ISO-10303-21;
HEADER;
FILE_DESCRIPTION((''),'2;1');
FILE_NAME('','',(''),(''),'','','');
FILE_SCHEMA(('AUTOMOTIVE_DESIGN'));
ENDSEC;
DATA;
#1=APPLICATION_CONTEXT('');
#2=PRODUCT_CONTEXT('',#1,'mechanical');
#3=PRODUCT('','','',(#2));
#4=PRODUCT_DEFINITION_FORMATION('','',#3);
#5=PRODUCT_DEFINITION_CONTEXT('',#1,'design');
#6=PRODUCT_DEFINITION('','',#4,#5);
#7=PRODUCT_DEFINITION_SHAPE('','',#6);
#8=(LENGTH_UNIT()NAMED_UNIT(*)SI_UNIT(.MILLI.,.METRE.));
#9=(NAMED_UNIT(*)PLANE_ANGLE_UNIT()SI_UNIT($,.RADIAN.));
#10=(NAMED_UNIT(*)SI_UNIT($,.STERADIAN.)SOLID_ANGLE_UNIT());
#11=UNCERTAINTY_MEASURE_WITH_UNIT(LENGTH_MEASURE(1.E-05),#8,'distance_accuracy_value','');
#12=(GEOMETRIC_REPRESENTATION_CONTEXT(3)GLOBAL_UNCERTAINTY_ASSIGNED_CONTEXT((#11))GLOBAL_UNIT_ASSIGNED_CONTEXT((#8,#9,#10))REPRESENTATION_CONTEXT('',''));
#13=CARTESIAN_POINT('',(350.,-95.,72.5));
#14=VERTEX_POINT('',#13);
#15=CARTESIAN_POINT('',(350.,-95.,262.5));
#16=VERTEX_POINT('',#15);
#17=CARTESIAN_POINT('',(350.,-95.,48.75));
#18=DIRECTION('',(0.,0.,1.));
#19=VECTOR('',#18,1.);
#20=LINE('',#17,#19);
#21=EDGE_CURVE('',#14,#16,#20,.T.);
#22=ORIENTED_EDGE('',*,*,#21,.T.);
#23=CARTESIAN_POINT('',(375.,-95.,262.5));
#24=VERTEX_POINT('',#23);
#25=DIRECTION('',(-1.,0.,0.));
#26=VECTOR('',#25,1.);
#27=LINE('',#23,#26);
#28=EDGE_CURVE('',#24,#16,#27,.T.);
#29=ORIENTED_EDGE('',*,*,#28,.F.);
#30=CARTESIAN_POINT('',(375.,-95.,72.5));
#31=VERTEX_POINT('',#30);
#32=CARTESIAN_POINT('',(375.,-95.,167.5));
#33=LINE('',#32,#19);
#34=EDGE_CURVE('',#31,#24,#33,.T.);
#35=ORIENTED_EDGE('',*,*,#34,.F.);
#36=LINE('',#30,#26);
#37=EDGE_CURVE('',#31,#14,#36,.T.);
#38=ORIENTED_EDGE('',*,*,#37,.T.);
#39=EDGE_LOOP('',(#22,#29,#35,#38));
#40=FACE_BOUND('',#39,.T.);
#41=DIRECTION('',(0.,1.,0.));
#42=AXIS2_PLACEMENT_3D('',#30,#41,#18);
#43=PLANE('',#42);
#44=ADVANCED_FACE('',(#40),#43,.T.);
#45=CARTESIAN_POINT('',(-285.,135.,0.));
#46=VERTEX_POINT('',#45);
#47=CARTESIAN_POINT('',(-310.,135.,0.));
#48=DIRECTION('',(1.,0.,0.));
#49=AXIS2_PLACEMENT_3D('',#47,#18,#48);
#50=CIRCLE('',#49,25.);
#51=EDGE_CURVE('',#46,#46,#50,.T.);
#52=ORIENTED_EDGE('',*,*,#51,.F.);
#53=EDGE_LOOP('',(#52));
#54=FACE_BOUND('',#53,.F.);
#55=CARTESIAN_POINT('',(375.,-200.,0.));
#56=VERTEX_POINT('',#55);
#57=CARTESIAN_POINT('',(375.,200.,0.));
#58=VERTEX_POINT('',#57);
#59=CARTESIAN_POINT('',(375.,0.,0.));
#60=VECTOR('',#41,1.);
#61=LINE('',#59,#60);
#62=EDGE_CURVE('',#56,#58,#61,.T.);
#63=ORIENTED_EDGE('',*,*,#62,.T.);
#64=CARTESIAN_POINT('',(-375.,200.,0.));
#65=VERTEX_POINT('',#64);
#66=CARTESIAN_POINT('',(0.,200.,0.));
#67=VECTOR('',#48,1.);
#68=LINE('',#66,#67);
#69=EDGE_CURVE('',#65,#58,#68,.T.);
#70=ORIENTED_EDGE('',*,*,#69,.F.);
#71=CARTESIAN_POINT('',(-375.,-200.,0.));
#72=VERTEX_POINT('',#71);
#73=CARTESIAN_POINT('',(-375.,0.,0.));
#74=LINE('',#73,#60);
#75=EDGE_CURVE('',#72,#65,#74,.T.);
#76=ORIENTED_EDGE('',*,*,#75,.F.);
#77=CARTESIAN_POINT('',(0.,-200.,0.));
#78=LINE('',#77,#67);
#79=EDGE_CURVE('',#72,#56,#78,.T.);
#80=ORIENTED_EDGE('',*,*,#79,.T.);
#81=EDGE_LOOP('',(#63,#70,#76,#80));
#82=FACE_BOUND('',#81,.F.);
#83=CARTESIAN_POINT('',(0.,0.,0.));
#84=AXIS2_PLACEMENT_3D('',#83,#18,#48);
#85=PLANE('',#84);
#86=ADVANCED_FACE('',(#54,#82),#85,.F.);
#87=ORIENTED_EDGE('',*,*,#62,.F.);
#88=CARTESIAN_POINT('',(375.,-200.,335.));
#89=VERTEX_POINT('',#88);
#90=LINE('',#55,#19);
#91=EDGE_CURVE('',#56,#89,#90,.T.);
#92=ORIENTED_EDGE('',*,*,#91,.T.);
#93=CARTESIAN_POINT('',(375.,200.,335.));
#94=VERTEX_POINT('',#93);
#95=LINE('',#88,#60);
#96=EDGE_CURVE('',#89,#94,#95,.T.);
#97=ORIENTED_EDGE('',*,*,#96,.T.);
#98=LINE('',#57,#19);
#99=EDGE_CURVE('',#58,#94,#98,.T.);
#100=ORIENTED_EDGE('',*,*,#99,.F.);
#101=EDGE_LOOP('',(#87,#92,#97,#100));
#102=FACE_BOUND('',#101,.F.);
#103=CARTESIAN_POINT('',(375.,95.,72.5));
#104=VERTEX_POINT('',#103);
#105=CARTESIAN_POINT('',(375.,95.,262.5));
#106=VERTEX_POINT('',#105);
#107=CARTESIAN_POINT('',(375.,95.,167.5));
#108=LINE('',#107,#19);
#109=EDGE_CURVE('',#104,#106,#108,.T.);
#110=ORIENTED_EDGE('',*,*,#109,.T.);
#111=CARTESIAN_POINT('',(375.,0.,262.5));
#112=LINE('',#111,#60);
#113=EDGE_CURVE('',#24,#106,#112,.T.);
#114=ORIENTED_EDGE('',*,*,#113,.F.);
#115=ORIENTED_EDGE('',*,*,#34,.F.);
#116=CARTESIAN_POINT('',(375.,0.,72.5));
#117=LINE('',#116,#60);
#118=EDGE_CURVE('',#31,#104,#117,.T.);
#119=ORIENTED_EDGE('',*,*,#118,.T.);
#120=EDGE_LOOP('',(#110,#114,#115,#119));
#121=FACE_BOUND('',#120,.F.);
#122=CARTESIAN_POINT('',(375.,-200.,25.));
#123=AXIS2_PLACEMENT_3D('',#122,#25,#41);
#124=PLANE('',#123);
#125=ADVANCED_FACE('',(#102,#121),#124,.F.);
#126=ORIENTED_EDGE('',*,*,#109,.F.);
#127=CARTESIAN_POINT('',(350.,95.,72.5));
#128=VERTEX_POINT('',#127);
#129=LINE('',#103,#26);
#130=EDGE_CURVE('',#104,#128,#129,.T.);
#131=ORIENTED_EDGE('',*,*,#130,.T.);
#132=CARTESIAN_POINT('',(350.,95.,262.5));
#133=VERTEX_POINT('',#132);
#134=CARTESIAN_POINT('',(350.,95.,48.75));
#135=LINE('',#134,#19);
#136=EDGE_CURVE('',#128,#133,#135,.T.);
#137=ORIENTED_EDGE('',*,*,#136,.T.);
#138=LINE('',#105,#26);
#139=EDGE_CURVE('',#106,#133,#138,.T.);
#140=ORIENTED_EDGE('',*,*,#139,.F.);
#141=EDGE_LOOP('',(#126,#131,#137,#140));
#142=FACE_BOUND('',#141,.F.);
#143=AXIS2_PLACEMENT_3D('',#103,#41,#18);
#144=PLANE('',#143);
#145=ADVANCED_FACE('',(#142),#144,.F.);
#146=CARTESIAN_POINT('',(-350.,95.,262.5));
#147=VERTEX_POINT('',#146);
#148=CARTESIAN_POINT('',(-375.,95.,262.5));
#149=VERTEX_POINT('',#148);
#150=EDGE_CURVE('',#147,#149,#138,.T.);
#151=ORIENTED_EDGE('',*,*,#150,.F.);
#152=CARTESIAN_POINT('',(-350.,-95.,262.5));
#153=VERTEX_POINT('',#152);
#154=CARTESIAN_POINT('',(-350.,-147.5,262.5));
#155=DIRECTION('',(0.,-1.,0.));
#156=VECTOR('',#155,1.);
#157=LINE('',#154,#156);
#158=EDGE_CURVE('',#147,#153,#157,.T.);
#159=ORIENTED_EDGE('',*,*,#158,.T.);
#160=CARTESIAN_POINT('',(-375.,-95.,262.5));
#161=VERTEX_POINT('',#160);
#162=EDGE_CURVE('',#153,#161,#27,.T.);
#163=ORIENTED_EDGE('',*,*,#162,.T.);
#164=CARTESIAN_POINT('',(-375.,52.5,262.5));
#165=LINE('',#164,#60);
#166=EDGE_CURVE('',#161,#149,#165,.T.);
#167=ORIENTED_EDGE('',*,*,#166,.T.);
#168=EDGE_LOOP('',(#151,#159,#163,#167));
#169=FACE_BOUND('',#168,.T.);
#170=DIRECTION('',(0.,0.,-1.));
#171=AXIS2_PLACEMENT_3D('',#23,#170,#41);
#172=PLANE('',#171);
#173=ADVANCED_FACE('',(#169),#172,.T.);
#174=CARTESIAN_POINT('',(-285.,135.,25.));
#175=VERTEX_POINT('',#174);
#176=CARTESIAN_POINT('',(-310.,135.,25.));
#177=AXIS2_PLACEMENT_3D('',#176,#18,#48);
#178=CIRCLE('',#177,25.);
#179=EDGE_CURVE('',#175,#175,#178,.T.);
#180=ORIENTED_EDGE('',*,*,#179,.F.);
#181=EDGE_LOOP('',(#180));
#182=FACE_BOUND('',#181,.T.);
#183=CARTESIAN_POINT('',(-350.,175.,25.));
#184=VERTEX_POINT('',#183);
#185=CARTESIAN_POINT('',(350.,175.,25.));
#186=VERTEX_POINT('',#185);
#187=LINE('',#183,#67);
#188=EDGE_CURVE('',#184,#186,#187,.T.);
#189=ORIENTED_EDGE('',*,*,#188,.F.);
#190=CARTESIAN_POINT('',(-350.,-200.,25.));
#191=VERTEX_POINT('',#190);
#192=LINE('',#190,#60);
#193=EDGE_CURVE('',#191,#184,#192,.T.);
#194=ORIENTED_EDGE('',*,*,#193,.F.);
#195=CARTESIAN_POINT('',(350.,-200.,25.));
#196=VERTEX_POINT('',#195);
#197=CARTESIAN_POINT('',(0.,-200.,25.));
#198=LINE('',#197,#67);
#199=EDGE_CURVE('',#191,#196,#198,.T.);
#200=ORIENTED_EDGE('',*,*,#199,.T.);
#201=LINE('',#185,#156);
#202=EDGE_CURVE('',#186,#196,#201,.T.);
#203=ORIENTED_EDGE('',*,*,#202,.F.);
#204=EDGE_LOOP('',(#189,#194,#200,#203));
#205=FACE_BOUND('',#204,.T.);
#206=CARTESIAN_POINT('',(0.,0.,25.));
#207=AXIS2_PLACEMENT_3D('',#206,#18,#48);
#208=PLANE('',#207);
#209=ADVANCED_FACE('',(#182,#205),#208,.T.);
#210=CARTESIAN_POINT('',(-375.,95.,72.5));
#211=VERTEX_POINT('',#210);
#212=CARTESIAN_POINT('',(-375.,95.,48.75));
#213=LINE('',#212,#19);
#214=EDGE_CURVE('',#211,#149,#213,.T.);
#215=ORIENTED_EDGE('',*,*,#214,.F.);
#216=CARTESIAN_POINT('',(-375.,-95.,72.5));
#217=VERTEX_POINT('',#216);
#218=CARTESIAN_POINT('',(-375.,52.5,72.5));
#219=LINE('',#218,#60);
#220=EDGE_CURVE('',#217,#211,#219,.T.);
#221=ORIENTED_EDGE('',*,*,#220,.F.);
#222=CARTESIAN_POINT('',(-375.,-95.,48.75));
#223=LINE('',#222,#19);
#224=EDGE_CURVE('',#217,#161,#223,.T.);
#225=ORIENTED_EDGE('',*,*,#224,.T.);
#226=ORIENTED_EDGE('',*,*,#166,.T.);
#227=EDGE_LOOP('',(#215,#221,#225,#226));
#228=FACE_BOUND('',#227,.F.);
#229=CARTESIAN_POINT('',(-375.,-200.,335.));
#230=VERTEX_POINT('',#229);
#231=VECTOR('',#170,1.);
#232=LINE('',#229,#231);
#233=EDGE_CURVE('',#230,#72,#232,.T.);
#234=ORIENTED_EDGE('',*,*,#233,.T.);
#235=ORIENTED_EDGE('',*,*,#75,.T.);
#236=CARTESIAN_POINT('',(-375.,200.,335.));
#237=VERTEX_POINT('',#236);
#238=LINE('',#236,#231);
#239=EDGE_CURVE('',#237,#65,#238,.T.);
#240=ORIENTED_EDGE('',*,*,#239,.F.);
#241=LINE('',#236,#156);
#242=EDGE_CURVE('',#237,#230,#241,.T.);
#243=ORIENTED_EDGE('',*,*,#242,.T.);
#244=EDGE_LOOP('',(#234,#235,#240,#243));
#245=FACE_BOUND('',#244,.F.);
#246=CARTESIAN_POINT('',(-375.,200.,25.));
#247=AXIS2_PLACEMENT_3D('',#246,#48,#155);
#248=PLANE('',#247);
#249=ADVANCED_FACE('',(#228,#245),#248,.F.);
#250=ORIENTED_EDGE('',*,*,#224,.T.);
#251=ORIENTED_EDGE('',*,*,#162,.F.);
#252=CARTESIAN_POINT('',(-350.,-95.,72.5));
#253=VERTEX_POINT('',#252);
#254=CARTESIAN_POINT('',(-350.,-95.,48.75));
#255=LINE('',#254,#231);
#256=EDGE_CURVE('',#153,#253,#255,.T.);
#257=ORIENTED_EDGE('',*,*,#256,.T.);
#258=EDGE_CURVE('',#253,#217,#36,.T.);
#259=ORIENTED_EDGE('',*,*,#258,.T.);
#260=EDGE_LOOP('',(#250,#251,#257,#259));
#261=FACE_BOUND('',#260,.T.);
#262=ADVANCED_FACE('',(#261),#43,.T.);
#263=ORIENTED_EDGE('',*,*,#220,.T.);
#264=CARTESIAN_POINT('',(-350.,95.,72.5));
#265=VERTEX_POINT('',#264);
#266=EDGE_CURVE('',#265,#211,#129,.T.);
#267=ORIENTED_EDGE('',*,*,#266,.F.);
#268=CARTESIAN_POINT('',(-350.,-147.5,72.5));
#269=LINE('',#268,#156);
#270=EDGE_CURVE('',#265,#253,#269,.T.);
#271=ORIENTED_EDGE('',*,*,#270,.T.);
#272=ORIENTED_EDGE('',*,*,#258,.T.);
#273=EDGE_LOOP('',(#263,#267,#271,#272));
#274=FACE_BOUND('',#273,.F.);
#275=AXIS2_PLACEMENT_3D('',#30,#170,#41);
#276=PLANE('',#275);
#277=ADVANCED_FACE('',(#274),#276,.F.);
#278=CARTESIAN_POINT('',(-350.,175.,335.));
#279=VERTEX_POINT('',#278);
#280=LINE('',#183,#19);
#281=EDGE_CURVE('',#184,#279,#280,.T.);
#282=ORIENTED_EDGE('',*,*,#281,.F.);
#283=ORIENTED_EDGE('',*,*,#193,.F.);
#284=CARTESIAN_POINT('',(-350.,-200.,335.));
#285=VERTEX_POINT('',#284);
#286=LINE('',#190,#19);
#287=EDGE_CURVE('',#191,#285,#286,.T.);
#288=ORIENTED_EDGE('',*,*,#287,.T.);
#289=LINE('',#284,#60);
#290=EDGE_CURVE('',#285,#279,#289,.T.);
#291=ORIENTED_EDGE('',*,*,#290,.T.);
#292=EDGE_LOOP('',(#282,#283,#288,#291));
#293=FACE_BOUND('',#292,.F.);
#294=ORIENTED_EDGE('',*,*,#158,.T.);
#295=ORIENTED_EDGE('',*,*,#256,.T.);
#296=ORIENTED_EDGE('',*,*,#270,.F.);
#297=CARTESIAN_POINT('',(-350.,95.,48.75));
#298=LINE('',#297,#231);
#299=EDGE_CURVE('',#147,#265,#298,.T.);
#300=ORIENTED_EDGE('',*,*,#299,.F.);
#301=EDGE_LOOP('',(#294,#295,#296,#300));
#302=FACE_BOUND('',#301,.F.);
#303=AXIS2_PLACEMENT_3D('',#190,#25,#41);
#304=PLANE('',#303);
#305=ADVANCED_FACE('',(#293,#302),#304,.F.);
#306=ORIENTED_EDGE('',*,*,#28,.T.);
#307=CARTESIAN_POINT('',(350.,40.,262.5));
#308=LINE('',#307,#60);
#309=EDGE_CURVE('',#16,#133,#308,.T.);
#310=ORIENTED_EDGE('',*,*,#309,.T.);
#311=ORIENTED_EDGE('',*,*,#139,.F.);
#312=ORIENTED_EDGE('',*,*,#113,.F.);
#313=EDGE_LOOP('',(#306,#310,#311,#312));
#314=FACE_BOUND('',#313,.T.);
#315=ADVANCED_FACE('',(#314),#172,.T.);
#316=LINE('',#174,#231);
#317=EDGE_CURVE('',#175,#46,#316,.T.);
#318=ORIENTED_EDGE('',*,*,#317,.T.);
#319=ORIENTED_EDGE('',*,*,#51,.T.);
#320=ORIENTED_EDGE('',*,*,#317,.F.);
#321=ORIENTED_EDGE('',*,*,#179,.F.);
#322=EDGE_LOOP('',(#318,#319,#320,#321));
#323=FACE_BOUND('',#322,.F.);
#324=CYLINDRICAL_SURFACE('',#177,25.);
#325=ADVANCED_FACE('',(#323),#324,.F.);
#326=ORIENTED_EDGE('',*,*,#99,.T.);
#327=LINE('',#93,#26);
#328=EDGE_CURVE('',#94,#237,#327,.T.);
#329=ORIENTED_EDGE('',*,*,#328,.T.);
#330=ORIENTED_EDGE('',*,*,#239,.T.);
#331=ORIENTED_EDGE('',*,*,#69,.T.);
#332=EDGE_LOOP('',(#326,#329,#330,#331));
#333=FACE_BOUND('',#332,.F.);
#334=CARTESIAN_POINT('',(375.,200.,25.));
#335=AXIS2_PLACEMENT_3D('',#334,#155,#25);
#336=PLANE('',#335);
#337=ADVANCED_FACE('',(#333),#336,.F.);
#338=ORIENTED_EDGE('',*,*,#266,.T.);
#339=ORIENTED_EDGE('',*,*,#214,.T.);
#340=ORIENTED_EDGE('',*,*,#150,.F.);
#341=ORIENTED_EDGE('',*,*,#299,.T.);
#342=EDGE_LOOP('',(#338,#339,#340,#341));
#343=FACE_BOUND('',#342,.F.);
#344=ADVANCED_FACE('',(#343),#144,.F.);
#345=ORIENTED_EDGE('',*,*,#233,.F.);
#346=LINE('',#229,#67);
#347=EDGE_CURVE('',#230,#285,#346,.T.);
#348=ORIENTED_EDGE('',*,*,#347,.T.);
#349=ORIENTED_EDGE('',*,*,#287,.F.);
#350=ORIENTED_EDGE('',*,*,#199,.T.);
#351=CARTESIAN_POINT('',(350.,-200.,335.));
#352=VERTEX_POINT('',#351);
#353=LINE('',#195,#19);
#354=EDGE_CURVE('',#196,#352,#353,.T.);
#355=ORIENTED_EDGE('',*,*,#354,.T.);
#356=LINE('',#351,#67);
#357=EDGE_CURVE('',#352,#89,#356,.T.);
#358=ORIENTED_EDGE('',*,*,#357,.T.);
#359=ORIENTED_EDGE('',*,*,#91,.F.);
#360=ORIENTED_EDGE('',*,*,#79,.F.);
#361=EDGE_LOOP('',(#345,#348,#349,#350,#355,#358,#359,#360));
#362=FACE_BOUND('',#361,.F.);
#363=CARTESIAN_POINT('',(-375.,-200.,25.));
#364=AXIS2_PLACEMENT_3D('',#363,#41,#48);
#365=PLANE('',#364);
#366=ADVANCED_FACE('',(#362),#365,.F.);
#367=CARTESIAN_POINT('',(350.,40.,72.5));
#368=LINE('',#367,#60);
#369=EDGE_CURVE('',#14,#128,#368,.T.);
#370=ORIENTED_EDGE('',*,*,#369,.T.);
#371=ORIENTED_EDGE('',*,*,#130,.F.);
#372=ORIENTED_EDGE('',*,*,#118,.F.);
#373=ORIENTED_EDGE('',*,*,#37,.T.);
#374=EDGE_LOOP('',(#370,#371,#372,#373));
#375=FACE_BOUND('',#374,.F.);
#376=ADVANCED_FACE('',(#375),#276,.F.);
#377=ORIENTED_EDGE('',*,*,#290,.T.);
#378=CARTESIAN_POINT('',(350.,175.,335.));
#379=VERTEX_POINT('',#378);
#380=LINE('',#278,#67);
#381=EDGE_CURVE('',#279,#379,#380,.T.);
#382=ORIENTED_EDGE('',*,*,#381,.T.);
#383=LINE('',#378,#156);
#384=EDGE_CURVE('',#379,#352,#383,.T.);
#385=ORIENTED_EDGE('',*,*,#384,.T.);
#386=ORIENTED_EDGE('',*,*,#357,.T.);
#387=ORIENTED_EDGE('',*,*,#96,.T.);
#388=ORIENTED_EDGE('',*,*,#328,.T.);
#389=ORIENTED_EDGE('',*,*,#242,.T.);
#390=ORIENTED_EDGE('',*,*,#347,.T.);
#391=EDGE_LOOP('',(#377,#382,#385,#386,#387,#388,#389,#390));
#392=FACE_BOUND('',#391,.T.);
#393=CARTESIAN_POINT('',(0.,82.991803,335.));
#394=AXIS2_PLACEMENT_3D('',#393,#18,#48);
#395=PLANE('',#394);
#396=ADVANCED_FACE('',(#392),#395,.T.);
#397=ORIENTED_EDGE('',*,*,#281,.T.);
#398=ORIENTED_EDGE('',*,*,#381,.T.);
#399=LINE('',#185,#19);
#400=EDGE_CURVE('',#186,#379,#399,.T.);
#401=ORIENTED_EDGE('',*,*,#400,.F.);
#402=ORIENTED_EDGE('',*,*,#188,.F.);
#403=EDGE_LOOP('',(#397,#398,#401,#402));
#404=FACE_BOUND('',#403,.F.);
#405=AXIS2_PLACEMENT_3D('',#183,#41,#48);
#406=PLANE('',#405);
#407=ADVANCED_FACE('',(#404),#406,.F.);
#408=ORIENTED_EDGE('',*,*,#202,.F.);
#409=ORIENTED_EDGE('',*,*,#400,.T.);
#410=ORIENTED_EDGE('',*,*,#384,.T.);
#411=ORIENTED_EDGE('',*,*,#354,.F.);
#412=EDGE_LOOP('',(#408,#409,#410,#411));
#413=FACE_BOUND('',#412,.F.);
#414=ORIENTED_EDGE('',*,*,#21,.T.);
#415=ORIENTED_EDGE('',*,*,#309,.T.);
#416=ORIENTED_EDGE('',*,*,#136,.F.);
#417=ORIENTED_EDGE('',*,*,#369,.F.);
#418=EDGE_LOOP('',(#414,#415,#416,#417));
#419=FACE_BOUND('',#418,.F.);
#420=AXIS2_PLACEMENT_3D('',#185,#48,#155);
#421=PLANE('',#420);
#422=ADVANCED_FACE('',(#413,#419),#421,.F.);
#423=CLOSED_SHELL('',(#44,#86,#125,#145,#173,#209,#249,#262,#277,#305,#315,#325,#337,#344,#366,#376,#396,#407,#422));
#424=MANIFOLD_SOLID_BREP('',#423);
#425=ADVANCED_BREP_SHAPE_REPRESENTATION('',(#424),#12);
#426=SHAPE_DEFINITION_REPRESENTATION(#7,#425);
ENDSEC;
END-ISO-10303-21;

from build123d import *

# Parameters (mm, degrees)
F0_W     = 750
F0_H     = 400
F1_DEPTH = 25
F3_DEPTH = 310
F4_W     = 190
F4_H     = 190
F5_DEPTH = 750.001
F6_R     = 25
F7_DEPTH = 25.001


with BuildPart() as f1:
    # F0 (on Top) → F1 (new body)
    with BuildSketch(Plane.XY):
        Rectangle(F0_W, F0_H)
    extrude(amount=F1_DEPTH)

    # F2 (on face) → F3 (join)
    with BuildSketch(Plane.XY.offset(25)):
        Polygon((-350, -200), (-350, 175), (350, 175), (350, -200), (375, -200), (375, 200), (-375, 200), (-375, -200), align=None)
    extrude(amount=F3_DEPTH)

    # F4 (on face) → F5 (cut, through all)
    with BuildSketch(Plane.YZ.offset(375)):
        with Locations((0, 167.5)):
            Rectangle(F4_W, F4_H)
    extrude(amount=-F5_DEPTH, mode=Mode.SUBTRACT)

    # F6 (on face) → F7 (cut, through all)
    with BuildSketch(Plane.XY.offset(25)):
        with Locations((-310, 135)):
            Circle(F6_R)
    extrude(amount=-F7_DEPTH, mode=Mode.SUBTRACT)


solid = f1.part
